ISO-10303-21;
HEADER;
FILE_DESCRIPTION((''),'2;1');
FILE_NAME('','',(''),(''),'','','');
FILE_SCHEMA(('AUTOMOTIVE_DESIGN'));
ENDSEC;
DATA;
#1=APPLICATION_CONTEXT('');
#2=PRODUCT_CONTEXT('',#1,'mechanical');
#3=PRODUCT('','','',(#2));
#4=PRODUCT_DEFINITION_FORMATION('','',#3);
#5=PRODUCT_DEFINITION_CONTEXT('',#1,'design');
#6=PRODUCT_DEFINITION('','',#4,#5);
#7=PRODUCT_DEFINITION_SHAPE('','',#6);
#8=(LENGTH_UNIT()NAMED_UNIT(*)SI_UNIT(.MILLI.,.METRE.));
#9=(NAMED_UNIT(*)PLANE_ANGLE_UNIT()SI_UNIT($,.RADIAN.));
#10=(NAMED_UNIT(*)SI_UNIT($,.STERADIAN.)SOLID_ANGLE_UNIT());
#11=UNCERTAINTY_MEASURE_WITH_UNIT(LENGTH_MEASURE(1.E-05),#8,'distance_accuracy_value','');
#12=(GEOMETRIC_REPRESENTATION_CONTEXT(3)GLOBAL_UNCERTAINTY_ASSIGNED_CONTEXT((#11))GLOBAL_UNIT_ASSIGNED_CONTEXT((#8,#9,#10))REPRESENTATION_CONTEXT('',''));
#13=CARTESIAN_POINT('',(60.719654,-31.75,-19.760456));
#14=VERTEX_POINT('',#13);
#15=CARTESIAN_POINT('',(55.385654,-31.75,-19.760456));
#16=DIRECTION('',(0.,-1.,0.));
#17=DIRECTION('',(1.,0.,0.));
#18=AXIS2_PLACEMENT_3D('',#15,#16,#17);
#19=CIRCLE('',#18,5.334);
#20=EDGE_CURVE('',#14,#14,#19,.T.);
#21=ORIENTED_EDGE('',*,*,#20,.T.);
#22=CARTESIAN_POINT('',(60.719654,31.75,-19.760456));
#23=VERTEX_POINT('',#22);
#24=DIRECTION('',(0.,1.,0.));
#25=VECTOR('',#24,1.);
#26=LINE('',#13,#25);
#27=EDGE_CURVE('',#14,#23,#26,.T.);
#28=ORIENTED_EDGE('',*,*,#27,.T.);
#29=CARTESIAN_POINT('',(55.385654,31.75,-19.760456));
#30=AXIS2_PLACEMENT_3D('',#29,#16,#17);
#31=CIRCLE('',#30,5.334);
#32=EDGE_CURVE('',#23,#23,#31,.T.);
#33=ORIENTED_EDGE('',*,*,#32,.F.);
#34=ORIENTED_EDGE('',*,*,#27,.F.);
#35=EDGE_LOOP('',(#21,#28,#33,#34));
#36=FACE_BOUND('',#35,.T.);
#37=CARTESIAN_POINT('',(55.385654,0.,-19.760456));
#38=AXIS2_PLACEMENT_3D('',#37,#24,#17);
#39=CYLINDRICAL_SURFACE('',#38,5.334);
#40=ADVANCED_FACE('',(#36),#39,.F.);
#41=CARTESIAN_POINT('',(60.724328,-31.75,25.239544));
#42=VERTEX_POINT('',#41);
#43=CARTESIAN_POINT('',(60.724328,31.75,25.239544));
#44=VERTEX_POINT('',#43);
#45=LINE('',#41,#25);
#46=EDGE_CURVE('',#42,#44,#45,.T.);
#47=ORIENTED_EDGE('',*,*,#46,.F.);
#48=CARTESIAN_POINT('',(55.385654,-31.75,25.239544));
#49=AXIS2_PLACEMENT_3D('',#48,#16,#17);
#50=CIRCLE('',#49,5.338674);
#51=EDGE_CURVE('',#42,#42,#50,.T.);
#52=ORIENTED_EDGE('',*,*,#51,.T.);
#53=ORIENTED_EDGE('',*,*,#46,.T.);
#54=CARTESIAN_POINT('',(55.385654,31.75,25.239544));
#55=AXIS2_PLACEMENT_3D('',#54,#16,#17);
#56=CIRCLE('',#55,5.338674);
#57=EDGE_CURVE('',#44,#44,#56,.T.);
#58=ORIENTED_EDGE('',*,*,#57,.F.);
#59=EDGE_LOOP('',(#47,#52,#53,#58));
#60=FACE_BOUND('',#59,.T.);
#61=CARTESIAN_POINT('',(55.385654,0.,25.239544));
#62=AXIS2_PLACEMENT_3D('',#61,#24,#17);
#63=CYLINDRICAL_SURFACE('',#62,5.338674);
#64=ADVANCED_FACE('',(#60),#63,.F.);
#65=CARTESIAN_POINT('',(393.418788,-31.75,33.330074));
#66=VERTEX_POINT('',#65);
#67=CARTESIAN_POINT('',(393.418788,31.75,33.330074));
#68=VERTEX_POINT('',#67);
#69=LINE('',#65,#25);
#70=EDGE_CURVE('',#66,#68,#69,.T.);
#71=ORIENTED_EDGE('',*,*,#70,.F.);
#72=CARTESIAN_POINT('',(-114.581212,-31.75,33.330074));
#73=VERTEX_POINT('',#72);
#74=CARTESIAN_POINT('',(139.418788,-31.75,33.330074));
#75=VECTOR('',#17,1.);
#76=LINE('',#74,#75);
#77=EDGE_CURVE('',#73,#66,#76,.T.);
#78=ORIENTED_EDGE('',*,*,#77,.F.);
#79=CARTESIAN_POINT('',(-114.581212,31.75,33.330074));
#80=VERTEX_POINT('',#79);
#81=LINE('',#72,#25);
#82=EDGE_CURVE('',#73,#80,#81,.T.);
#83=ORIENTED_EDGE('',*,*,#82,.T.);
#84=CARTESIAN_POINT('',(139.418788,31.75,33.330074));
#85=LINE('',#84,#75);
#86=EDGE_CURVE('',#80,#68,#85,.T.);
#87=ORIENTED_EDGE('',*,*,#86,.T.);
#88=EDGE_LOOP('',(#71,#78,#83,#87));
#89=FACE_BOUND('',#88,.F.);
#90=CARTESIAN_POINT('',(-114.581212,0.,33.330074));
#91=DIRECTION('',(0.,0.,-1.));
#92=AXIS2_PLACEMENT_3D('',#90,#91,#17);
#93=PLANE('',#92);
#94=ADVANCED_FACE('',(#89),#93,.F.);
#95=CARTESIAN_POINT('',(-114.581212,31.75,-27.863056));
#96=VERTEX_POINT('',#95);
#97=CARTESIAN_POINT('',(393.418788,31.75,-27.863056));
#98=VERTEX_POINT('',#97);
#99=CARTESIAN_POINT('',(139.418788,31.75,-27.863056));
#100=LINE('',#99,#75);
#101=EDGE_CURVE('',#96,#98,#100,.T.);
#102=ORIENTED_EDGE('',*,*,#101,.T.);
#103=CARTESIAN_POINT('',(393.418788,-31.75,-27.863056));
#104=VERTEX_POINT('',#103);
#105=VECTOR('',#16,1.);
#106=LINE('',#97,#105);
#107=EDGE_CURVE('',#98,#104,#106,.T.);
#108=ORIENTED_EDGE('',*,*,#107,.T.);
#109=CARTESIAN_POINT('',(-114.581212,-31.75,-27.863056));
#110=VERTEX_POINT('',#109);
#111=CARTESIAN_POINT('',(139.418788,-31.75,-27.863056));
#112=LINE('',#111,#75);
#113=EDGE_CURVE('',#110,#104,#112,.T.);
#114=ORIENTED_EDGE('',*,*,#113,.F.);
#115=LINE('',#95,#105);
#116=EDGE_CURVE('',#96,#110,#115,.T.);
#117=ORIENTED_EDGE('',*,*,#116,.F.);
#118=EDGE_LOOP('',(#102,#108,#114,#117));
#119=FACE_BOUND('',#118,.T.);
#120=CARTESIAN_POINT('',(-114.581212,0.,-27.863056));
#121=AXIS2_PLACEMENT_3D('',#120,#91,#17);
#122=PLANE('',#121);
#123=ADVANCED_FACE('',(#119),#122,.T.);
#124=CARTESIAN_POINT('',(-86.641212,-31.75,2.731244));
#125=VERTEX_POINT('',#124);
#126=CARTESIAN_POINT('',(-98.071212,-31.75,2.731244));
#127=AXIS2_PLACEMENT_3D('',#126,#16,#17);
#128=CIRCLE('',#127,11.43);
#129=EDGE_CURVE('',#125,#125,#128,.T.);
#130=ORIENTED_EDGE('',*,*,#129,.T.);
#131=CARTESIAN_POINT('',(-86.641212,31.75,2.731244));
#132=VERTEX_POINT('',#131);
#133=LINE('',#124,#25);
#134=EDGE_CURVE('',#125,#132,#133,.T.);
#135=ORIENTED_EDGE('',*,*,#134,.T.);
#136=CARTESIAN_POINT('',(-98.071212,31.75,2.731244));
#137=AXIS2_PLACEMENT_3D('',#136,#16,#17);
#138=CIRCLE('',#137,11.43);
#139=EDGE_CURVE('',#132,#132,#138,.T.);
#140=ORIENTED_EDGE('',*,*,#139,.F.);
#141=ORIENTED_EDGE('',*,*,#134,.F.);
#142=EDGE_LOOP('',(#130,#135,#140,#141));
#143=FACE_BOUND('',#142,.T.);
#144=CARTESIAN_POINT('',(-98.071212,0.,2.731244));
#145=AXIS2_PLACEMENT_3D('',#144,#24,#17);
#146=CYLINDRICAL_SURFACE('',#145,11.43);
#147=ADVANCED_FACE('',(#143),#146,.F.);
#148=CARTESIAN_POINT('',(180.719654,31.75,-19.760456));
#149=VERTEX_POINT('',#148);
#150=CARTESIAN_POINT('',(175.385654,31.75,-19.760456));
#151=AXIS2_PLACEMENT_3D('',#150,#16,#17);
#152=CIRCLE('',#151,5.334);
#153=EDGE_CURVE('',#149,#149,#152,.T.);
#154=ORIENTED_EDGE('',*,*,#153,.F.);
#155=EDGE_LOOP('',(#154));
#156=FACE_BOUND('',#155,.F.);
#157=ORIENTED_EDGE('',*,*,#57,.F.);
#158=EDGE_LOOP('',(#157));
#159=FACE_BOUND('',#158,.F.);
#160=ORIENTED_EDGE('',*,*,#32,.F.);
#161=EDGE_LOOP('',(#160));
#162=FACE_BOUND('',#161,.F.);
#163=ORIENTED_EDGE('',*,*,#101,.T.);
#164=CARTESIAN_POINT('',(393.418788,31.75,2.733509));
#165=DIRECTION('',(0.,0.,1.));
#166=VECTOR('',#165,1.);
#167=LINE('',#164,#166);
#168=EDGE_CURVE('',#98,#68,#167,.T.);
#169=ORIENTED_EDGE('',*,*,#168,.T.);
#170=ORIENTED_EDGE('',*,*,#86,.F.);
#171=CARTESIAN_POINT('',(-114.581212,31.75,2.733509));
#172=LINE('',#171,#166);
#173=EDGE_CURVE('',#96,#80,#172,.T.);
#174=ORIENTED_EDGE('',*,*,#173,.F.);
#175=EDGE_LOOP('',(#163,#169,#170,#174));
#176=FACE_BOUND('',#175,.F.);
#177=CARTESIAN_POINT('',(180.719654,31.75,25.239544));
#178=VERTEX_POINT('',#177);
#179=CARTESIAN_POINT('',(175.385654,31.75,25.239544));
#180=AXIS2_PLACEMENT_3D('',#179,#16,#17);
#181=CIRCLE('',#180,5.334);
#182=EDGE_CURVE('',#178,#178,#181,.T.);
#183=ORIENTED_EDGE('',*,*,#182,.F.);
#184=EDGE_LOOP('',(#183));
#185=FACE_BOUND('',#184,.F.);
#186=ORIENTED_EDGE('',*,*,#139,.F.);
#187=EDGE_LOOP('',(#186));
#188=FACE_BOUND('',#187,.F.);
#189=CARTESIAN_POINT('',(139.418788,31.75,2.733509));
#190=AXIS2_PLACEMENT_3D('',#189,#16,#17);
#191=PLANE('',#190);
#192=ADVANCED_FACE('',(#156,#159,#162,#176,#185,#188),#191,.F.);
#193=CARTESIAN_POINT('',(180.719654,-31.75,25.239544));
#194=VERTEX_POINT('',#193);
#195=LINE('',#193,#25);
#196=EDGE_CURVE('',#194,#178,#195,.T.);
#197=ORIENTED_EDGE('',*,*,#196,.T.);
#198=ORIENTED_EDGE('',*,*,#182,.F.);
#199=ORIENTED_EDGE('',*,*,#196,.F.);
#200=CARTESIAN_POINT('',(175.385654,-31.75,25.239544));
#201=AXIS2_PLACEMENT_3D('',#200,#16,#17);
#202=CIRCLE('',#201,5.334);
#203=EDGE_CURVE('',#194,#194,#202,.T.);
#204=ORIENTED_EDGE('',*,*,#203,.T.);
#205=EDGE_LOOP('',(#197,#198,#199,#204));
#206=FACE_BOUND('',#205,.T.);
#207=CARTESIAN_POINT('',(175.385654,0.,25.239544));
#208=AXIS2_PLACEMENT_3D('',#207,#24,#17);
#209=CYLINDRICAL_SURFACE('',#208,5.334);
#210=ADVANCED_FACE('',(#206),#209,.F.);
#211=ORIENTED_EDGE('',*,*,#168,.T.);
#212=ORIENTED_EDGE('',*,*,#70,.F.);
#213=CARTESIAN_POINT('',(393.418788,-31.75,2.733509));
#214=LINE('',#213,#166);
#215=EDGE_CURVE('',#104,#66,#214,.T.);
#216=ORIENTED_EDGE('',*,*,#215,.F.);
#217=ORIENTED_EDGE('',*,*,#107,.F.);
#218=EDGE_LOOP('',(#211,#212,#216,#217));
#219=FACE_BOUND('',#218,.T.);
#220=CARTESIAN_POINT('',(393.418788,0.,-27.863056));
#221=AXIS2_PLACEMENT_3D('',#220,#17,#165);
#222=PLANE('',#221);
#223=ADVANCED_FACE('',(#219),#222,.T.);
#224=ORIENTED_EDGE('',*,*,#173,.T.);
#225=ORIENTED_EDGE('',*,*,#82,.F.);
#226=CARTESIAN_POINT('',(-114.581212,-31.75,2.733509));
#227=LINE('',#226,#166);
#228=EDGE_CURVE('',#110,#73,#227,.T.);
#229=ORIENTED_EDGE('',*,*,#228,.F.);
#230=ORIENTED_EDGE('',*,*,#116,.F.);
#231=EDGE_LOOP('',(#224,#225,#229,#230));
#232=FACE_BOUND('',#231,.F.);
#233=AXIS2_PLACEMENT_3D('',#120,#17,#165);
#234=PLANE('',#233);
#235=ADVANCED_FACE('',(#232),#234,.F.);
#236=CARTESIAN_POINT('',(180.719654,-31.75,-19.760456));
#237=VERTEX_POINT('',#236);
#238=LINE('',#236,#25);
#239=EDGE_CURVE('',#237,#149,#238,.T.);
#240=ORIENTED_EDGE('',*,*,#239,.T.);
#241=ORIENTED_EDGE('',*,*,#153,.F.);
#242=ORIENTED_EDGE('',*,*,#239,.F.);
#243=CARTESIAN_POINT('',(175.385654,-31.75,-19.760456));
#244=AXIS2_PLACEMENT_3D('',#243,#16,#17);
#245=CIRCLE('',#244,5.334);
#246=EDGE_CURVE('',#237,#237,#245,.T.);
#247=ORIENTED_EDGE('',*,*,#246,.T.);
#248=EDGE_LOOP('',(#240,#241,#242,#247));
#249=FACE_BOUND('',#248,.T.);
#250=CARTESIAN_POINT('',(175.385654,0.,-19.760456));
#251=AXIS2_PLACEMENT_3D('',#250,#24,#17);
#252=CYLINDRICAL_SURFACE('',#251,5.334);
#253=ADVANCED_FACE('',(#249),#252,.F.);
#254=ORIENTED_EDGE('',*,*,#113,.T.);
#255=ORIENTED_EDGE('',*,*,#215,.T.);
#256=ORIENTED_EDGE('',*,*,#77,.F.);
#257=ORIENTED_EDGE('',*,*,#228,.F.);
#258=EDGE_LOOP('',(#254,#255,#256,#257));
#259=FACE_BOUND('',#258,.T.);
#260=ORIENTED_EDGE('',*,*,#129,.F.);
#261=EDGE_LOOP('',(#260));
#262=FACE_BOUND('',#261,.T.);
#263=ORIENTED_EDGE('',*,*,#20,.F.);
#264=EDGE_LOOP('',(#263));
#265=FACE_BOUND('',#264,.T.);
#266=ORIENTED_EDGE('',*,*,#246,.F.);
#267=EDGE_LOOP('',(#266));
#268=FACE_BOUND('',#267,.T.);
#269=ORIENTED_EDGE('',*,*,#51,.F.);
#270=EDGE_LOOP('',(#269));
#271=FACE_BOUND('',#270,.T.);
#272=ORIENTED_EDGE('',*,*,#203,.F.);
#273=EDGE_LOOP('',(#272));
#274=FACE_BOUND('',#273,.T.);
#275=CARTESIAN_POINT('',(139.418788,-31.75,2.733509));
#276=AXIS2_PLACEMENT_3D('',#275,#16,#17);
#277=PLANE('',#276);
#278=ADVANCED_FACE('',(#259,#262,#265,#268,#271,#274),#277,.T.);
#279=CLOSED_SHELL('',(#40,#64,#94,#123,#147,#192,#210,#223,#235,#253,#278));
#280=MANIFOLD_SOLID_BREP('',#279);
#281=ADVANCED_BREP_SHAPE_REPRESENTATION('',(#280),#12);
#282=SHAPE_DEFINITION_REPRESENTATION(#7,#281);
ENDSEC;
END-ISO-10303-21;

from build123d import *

# Parameters (mm, degrees)
F0_W     = 508
F0_H     = 61.19313
F0_R     = 5.334
F0_R_2   = 11.43
F0_R_3   = 5.338674
F1_DEPTH = 31.75


with BuildPart() as f1:
    # F0 (on Front) → F1 (new body, symmetric)
    with BuildSketch(Plane.XZ):
        with Locations((139.418788, 2.733509)):
            Rectangle(F0_W, F0_H)
        with Locations((55.385654, -19.760456)):
            Circle(F0_R, mode=Mode.SUBTRACT)
        with Locations((-98.071212, 2.731244)):
            Circle(F0_R_2, mode=Mode.SUBTRACT)
        with Locations((175.385654, -19.760456)):
            Circle(F0_R, mode=Mode.SUBTRACT)
        with Locations((55.385654, 25.239544)):
            Circle(F0_R_3, mode=Mode.SUBTRACT)
        with Locations((175.385654, 25.239544)):
            Circle(F0_R, mode=Mode.SUBTRACT)
    extrude(amount=F1_DEPTH, both=True)


solid = f1.part
